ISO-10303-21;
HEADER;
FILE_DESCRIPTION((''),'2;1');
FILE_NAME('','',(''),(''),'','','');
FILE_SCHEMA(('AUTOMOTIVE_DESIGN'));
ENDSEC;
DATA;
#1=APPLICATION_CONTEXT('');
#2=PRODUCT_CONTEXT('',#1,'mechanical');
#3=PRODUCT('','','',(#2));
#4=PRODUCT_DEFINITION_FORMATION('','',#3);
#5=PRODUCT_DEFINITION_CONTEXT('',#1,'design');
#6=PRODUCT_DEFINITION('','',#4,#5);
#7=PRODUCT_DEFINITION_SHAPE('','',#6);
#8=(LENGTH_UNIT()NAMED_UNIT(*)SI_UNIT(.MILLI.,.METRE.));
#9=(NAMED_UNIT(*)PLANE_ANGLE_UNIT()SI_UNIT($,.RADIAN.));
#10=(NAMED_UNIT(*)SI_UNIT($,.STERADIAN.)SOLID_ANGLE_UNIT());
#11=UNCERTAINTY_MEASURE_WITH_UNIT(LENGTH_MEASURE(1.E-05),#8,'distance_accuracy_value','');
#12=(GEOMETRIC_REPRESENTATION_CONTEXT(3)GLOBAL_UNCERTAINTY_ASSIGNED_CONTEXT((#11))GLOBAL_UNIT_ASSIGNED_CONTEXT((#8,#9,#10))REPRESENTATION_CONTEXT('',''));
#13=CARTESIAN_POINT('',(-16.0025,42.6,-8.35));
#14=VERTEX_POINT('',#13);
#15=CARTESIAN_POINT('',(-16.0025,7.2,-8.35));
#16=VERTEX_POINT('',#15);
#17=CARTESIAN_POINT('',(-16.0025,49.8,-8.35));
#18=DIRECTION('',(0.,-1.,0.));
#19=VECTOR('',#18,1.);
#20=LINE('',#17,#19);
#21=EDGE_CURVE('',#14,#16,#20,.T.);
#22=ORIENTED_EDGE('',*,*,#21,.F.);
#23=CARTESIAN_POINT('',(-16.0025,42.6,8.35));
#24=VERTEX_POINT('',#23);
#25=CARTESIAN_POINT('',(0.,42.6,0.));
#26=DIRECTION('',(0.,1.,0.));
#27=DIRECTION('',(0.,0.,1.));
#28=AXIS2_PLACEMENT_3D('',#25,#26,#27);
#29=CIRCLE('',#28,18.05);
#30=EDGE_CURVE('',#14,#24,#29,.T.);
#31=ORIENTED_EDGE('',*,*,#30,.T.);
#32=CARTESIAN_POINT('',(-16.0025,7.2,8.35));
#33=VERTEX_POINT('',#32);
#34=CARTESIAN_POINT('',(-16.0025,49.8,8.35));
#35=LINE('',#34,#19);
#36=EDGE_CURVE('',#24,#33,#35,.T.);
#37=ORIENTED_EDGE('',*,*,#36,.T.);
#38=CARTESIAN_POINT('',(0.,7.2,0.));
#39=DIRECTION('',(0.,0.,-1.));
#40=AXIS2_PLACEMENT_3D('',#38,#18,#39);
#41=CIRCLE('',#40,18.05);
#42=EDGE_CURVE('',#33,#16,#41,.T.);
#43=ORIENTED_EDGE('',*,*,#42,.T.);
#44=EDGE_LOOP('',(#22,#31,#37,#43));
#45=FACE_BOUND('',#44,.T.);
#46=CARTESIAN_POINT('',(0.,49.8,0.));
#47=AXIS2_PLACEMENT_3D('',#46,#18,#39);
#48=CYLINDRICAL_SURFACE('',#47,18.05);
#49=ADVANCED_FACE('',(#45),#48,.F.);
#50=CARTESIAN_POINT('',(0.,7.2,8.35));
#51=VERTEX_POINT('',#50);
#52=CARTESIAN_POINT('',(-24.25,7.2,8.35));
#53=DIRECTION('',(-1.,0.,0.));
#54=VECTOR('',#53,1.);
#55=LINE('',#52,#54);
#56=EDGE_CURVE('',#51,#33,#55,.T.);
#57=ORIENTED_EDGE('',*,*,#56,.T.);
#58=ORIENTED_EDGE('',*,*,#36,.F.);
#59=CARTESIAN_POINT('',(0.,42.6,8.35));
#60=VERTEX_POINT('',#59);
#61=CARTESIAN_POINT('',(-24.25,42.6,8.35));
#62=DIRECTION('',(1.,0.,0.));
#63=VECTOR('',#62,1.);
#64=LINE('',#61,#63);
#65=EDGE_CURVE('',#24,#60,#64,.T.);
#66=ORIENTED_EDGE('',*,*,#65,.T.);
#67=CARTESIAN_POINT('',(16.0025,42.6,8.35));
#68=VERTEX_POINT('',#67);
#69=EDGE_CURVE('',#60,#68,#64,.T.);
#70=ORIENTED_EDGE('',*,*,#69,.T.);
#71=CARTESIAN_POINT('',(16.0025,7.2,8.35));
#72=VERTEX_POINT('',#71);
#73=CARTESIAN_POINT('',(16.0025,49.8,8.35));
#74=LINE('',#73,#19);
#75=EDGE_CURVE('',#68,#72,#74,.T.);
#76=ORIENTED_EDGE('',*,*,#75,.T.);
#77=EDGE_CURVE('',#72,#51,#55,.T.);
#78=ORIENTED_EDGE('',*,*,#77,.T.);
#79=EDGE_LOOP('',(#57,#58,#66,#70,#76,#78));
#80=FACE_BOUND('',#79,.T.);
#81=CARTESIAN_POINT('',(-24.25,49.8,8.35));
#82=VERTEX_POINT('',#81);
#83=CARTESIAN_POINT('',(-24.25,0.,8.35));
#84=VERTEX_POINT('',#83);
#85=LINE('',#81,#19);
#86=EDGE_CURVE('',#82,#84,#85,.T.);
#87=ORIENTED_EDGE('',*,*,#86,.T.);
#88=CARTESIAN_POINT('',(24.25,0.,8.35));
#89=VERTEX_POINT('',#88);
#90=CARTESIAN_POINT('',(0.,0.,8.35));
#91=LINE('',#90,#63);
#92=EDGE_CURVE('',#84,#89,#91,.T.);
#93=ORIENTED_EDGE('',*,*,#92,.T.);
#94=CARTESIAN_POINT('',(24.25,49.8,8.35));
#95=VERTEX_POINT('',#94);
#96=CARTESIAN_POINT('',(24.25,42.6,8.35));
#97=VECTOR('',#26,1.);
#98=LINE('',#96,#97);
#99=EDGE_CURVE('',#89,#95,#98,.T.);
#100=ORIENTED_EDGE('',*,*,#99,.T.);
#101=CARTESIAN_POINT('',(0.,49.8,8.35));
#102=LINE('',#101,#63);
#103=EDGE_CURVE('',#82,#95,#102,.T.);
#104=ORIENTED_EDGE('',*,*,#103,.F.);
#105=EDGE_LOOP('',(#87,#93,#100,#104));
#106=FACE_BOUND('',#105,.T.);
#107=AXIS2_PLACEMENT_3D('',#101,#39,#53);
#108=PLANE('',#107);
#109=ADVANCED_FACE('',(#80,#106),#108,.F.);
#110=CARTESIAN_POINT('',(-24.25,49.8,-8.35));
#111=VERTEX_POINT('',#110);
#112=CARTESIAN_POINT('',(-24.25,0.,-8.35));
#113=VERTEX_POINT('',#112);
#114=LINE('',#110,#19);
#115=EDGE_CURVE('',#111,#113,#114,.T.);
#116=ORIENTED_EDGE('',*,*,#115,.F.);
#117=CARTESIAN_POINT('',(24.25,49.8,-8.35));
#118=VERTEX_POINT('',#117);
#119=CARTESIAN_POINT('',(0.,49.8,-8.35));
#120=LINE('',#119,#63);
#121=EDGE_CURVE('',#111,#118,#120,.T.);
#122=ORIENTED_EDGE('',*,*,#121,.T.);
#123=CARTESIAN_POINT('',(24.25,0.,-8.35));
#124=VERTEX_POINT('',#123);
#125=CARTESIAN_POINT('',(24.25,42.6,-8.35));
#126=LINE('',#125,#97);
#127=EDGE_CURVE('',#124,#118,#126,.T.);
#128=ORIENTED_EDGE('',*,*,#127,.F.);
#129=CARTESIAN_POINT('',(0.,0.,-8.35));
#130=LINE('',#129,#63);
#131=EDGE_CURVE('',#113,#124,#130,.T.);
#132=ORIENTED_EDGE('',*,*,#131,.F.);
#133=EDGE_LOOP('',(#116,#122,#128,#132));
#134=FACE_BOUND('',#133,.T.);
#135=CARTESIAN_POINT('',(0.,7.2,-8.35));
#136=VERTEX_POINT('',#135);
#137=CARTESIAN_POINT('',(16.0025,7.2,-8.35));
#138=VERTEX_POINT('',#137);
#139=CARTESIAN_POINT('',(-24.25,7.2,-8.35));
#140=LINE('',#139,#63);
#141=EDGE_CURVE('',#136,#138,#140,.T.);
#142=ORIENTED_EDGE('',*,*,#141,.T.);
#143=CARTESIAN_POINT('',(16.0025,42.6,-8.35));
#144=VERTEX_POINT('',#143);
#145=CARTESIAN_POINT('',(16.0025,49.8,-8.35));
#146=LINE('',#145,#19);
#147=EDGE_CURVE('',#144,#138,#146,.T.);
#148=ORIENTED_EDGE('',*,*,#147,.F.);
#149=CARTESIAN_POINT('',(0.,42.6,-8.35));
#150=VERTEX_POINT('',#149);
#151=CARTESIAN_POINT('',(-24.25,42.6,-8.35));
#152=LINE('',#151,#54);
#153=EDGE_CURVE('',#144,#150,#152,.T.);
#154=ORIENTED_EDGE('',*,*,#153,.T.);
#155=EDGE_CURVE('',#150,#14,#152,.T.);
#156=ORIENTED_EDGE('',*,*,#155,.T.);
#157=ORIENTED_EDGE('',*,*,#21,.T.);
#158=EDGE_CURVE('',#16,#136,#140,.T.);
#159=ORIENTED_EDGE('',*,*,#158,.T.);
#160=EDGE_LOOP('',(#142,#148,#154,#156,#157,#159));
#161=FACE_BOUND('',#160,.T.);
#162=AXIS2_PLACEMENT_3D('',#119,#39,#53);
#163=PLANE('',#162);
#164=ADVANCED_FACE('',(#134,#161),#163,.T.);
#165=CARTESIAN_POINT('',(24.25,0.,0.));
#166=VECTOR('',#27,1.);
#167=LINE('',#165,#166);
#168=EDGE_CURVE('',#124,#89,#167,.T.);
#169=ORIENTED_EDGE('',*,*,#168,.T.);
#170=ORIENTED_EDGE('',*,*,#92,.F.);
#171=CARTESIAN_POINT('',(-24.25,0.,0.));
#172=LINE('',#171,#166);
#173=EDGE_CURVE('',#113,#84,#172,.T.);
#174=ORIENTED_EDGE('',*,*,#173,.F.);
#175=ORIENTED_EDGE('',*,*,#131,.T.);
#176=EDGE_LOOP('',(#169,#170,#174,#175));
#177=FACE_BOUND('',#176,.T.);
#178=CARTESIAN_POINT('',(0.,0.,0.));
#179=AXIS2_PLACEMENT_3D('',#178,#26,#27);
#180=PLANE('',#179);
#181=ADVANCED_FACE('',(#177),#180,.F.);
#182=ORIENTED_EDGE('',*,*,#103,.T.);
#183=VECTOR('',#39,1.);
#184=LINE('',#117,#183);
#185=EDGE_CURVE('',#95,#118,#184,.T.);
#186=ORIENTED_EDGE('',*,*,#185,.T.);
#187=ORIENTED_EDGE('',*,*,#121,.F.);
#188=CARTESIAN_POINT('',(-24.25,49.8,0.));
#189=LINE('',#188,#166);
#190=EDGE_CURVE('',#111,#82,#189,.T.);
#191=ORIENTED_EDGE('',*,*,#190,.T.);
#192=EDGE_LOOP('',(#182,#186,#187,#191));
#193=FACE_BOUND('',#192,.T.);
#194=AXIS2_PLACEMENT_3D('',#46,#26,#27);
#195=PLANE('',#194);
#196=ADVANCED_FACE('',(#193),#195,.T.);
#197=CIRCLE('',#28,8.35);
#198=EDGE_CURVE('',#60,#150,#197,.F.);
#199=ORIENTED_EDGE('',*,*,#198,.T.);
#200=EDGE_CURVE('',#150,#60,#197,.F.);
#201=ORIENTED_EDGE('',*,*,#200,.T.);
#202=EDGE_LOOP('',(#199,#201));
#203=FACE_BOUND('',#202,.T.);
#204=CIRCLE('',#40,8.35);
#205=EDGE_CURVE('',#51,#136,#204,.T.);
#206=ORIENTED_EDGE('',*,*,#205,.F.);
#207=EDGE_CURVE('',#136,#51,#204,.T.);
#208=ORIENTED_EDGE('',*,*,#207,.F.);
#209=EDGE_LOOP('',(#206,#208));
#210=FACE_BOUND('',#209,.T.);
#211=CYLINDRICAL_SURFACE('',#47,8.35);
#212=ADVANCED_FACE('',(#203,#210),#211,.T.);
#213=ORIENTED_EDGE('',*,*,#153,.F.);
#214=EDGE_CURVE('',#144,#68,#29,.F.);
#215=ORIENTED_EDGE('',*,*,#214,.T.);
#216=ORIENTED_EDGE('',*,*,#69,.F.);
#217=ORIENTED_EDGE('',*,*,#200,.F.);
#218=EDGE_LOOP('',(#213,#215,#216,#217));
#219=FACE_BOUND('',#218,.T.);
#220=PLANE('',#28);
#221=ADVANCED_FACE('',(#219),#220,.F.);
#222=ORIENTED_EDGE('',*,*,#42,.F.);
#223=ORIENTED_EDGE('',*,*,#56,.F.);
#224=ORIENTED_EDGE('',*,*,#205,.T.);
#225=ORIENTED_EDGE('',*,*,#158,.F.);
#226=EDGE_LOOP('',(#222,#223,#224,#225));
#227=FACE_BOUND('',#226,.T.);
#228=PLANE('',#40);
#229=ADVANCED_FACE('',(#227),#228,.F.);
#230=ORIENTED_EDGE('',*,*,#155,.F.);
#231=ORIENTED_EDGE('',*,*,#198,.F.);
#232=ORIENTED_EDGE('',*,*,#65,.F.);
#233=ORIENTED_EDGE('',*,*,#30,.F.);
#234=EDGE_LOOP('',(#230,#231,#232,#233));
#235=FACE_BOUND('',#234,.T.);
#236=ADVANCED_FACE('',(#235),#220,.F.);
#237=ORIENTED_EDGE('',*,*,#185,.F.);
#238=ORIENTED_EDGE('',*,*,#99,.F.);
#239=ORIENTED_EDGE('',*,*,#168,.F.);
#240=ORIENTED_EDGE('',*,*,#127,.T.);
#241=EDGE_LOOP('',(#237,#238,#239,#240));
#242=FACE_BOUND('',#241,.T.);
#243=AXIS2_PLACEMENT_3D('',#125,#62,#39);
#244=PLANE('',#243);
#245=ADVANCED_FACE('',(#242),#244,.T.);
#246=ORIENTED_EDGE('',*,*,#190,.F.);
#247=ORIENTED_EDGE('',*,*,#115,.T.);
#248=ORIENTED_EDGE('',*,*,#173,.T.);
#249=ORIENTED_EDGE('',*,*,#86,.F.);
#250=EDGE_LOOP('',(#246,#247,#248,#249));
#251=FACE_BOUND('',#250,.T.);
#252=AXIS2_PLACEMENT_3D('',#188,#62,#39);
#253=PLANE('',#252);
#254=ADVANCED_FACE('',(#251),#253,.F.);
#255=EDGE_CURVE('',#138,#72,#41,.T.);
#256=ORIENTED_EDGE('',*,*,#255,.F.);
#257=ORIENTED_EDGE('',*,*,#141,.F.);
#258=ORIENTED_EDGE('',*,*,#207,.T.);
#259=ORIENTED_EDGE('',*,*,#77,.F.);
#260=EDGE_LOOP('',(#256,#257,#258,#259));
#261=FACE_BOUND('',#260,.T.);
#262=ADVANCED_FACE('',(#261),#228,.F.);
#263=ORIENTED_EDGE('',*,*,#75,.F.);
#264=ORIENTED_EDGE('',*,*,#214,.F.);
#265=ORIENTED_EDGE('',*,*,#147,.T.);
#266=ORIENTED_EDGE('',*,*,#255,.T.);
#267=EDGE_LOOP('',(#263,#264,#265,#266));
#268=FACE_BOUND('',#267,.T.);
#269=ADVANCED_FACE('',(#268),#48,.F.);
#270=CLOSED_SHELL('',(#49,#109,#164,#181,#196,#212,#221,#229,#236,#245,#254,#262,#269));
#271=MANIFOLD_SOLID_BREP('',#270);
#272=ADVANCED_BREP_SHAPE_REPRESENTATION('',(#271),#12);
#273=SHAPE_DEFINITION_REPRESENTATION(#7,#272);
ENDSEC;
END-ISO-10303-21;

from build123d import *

# Parameters (mm, degrees)
BOSS_EXTRUDE1_DEPTH   = 49.8
SKETCH1_R             = 8.35
BOSS_EXTRUDE1_2_DEPTH = 49.8
BOSS_EXTRUDE1_3_DEPTH = 49.8
SKETCH2_W             = 48.5
SKETCH2_H             = 16.7
BOSS_EXTRUDE2_DEPTH   = 7.2
SKETCH3_W             = 48.5
SKETCH3_H             = 16.7
BOSS_EXTRUDE3_DEPTH   = 7.2


with BuildPart() as part:
    # Sketch1 → Boss-Extrude1 (new body)
    with BuildSketch(Plane(origin=(0, 0, 0), x_dir=(1, 0, 0), z_dir=(0, 1, 0))):
        with BuildLine():
            Line((-16.002499805, 8.35), (-24.25, 8.35))
            Line((-24.25, 8.35), (-24.25, -8.35))
            Line((-24.25, -8.35), (-16.002499805, -8.35))
            ThreePointArc((-16.002499805, -8.35), (-18.05, 0), (-16.002499805, 8.35))
        make_face()
    extrude(amount=BOSS_EXTRUDE1_DEPTH)



with BuildPart() as body_2:
    # Sketch1 → Boss-Extrude1 2 (new body)
    with BuildSketch(Plane(origin=(0, 0, 0), x_dir=(1, 0, 0), z_dir=(0, 1, 0))):
        Circle(SKETCH1_R)
    extrude(amount=BOSS_EXTRUDE1_2_DEPTH)


with BuildPart() as body_3:
    # Sketch1 → Boss-Extrude1 3 (new body)
    with BuildSketch(Plane(origin=(0, 0, 0), x_dir=(1, 0, 0), z_dir=(0, 1, 0))):
        with BuildLine():
            Line((24.25, 8.35), (16.002499805, 8.35))
            ThreePointArc((16.002499805, 8.35), (17.53065346, 4.298684597), (18.05, 0))
            ThreePointArc((18.05, 0), (17.53065346, -4.298684597), (16.002499805, -8.35))
            Line((16.002499805, -8.35), (24.25, -8.35))
            Line((24.25, -8.35), (24.25, 8.35))
        make_face()
    extrude(amount=BOSS_EXTRUDE1_3_DEPTH)


with BuildPart() as part_1:
    add(part.part)

    add(body_2.part)  # Boss-Extrude2 merges body 2

    add(body_3.part)  # Boss-Extrude2 merges body 3
    # Sketch2 → Boss-Extrude2 (add)
    with BuildSketch(Plane(origin=(0, 49.8, 0), x_dir=(1, 0, 0), z_dir=(0, 1, 0))):
        Rectangle(SKETCH2_W, SKETCH2_H)
    extrude(amount=-BOSS_EXTRUDE2_DEPTH)

    # Sketch3 → Boss-Extrude3 (add)
    with BuildSketch(Plane.XZ):
        Rectangle(SKETCH3_W, SKETCH3_H)
    extrude(amount=-BOSS_EXTRUDE3_DEPTH)


solid = part_1.part
